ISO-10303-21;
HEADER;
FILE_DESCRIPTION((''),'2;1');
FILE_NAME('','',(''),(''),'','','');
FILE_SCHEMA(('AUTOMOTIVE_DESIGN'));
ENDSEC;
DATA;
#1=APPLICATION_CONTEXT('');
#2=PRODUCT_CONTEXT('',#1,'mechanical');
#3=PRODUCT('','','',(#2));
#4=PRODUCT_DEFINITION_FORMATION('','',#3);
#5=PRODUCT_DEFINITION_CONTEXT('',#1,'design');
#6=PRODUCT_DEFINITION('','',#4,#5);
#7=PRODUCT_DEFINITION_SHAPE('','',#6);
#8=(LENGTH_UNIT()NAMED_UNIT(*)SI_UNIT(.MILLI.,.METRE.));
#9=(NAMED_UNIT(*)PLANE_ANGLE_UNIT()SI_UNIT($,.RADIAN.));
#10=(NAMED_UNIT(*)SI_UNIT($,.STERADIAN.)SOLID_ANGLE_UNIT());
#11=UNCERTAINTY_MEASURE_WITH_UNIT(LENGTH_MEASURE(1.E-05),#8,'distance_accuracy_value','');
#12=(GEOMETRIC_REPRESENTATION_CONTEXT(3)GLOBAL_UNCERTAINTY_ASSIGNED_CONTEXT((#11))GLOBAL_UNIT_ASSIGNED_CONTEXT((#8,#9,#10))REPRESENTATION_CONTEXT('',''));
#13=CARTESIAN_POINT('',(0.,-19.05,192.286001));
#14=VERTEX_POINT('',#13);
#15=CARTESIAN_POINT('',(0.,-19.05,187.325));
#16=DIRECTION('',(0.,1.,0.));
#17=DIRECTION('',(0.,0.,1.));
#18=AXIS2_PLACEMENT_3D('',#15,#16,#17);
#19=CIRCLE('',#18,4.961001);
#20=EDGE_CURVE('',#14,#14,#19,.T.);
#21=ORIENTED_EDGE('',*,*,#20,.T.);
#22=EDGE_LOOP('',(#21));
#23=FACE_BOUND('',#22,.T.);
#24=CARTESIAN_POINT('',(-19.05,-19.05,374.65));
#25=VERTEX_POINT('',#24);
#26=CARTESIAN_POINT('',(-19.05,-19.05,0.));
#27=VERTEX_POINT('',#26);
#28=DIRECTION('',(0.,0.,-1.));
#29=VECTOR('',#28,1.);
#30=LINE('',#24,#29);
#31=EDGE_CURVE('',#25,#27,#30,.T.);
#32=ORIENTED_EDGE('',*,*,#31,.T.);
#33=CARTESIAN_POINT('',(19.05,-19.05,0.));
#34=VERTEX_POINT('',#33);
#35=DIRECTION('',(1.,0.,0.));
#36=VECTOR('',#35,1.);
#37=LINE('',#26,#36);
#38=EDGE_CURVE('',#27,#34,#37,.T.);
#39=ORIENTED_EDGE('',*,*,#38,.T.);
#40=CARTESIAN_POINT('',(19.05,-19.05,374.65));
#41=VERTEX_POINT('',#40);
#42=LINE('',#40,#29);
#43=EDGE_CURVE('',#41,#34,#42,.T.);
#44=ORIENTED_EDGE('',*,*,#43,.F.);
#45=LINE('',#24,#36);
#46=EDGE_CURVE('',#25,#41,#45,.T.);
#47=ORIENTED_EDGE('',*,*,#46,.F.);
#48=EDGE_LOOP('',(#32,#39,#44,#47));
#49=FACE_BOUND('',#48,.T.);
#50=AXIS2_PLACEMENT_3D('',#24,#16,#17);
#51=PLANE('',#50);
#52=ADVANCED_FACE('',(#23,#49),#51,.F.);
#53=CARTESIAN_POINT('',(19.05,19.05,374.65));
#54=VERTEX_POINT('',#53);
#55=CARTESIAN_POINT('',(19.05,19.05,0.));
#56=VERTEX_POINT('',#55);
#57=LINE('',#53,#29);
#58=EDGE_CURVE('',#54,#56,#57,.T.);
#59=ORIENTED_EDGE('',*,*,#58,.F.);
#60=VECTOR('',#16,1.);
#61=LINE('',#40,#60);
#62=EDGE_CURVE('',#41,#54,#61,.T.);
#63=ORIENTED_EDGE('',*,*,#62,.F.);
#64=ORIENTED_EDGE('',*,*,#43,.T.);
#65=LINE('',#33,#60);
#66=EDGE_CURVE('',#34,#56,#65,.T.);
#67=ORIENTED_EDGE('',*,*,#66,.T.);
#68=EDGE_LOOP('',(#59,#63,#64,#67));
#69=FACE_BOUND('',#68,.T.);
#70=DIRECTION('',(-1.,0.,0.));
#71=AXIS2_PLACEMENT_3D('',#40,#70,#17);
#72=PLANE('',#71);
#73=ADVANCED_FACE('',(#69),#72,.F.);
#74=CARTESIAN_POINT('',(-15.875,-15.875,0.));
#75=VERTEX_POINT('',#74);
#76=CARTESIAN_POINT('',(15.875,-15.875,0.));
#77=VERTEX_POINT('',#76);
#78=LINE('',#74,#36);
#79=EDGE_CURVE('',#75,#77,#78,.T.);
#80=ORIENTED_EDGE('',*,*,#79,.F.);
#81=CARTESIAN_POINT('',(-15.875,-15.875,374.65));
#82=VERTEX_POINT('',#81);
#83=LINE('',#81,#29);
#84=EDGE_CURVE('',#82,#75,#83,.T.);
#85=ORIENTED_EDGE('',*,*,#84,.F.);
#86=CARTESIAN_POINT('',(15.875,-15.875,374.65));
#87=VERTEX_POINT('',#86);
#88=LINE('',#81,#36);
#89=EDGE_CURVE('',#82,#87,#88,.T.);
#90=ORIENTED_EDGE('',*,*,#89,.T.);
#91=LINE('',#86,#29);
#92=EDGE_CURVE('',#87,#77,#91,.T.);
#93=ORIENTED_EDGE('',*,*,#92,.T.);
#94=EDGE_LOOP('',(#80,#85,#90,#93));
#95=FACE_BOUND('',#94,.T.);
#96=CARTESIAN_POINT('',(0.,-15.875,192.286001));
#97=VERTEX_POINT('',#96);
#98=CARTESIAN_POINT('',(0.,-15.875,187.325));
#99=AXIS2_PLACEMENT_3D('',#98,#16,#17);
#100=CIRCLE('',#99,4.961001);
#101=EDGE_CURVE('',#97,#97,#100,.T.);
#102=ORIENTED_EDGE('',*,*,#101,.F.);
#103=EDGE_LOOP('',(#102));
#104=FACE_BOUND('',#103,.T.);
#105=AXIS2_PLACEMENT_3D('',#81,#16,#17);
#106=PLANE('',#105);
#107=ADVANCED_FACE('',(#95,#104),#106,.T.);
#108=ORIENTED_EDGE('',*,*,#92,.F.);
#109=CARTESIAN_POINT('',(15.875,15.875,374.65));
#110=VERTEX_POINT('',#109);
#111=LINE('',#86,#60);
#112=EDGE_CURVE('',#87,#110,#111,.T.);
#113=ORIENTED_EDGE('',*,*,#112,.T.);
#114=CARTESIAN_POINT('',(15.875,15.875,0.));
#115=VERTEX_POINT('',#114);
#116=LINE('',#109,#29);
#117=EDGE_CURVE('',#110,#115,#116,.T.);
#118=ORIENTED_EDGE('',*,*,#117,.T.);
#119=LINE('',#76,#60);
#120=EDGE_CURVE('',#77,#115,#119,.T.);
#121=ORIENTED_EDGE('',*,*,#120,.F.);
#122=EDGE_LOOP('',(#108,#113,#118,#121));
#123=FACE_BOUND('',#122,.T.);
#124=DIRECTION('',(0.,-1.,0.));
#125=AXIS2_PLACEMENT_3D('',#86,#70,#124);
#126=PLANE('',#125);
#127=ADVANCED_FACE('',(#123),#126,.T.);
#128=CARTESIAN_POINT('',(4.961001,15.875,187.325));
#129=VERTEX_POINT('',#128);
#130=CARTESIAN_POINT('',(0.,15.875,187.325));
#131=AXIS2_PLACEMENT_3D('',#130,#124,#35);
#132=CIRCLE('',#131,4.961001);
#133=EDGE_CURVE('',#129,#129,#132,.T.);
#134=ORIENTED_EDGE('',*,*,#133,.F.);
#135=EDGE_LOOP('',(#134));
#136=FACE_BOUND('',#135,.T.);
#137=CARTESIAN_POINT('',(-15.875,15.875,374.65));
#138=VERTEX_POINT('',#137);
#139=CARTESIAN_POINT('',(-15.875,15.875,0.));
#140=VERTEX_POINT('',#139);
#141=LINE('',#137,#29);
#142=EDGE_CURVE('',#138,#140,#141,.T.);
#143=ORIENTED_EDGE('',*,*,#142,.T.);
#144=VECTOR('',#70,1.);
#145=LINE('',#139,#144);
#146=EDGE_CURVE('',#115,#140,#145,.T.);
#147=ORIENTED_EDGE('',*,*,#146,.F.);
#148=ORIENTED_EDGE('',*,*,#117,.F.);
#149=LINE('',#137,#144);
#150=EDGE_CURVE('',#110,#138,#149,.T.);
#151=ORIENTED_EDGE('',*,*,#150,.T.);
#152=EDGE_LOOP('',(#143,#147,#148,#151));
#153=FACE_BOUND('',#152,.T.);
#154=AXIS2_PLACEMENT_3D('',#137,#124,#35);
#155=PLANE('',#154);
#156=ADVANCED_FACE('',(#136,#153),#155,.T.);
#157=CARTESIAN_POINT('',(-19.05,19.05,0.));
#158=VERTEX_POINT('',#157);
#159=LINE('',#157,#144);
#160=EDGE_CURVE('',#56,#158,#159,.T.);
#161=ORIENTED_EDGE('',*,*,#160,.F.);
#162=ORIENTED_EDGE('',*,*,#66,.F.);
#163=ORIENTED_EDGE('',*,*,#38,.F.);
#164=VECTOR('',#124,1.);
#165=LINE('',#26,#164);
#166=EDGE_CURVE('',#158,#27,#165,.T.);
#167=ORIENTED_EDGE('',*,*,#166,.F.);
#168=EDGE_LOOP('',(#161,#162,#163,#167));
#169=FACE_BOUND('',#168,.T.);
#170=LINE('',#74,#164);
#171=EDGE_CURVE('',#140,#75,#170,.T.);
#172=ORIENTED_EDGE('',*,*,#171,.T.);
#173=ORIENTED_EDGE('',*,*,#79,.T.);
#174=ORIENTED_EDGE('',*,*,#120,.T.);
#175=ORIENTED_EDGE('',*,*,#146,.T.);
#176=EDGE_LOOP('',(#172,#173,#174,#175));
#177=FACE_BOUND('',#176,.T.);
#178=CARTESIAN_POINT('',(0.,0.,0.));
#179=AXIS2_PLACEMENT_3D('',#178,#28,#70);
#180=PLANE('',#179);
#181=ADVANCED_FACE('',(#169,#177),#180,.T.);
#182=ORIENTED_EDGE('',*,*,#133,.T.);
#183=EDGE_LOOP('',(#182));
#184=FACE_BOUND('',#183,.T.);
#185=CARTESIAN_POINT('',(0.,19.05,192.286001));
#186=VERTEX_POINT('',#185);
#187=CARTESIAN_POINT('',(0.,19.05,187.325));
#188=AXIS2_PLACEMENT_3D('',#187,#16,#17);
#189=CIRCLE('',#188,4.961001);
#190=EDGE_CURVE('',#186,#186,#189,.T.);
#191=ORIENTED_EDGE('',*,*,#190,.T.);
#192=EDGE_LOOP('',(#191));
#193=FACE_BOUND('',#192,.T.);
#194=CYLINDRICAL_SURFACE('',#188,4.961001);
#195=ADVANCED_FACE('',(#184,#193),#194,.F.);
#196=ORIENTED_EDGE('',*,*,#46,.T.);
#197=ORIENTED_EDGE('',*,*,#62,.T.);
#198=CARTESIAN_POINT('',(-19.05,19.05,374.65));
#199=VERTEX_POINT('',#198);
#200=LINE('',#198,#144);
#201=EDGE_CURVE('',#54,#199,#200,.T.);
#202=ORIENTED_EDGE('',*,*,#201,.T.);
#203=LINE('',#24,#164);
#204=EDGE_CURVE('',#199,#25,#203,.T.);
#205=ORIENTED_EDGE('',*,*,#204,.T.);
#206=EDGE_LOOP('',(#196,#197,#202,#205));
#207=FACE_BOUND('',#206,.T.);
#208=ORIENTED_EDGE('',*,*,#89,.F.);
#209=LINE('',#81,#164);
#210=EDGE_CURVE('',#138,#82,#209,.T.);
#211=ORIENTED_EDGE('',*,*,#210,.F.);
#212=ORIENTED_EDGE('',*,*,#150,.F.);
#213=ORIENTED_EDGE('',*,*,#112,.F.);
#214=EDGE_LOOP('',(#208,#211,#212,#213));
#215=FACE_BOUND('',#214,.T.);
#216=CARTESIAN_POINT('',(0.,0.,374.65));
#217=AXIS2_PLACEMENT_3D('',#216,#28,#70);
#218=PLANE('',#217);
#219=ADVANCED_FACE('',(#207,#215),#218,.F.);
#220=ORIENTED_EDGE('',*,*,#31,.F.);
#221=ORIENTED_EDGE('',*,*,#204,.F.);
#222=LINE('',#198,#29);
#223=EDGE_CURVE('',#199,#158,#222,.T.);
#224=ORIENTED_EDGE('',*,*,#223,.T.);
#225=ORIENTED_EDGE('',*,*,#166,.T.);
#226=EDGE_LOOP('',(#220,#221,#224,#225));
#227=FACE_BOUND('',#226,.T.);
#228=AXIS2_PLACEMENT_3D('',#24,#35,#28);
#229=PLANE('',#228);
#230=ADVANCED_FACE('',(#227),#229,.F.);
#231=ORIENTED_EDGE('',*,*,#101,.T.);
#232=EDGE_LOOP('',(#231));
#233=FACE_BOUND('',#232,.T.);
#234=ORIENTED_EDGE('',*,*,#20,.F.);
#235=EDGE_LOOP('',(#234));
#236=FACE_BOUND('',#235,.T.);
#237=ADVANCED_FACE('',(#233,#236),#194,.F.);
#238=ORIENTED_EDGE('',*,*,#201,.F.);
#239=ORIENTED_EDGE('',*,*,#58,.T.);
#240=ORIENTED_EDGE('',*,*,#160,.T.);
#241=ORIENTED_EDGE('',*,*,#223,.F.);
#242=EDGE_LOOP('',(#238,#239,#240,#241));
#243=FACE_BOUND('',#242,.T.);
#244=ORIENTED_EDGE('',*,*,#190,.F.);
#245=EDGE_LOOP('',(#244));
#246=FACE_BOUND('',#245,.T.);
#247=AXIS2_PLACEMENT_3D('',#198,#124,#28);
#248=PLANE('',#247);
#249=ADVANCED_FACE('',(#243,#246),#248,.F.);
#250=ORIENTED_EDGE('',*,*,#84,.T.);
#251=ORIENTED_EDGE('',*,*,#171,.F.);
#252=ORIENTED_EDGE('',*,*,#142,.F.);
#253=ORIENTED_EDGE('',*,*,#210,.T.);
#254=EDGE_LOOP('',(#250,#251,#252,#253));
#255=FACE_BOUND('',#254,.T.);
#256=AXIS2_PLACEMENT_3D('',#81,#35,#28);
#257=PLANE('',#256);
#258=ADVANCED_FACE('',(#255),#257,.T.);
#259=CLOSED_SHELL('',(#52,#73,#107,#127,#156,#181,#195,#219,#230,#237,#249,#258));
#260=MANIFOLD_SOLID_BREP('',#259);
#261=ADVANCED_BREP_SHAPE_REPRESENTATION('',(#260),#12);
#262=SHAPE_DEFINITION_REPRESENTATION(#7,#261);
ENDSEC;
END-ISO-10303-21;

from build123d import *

# Parameters (mm, degrees)
SKETCH1_W                        = 38.1
SKETCH1_H                        = 38.1
SKETCH1_W_2                      = 31.75
SKETCH1_H_2                      = 31.75
BOSS_EXTRUDE1_DEPTH              = 374.65
F_25_64_0_39063_DIAMETER_HOLE1_D = 9.922002


with BuildPart() as part:
    # Sketch1 → Boss-Extrude1 (new body)
    with BuildSketch(Plane.XY):
        Rectangle(SKETCH1_W, SKETCH1_H)
        Rectangle(SKETCH1_W_2, SKETCH1_H_2, mode=Mode.SUBTRACT)
    extrude(amount=BOSS_EXTRUDE1_DEPTH)

    # 25/64 (0.39063) Diameter Hole1 (through all)
    with Locations(Plane(origin=(0, 19.05, 0), x_dir=(1, 0, 0), z_dir=(0, 1, 0))):
        with Locations((0, -187.325)):
            Hole(F_25_64_0_39063_DIAMETER_HOLE1_D / 2)


solid = part.part
